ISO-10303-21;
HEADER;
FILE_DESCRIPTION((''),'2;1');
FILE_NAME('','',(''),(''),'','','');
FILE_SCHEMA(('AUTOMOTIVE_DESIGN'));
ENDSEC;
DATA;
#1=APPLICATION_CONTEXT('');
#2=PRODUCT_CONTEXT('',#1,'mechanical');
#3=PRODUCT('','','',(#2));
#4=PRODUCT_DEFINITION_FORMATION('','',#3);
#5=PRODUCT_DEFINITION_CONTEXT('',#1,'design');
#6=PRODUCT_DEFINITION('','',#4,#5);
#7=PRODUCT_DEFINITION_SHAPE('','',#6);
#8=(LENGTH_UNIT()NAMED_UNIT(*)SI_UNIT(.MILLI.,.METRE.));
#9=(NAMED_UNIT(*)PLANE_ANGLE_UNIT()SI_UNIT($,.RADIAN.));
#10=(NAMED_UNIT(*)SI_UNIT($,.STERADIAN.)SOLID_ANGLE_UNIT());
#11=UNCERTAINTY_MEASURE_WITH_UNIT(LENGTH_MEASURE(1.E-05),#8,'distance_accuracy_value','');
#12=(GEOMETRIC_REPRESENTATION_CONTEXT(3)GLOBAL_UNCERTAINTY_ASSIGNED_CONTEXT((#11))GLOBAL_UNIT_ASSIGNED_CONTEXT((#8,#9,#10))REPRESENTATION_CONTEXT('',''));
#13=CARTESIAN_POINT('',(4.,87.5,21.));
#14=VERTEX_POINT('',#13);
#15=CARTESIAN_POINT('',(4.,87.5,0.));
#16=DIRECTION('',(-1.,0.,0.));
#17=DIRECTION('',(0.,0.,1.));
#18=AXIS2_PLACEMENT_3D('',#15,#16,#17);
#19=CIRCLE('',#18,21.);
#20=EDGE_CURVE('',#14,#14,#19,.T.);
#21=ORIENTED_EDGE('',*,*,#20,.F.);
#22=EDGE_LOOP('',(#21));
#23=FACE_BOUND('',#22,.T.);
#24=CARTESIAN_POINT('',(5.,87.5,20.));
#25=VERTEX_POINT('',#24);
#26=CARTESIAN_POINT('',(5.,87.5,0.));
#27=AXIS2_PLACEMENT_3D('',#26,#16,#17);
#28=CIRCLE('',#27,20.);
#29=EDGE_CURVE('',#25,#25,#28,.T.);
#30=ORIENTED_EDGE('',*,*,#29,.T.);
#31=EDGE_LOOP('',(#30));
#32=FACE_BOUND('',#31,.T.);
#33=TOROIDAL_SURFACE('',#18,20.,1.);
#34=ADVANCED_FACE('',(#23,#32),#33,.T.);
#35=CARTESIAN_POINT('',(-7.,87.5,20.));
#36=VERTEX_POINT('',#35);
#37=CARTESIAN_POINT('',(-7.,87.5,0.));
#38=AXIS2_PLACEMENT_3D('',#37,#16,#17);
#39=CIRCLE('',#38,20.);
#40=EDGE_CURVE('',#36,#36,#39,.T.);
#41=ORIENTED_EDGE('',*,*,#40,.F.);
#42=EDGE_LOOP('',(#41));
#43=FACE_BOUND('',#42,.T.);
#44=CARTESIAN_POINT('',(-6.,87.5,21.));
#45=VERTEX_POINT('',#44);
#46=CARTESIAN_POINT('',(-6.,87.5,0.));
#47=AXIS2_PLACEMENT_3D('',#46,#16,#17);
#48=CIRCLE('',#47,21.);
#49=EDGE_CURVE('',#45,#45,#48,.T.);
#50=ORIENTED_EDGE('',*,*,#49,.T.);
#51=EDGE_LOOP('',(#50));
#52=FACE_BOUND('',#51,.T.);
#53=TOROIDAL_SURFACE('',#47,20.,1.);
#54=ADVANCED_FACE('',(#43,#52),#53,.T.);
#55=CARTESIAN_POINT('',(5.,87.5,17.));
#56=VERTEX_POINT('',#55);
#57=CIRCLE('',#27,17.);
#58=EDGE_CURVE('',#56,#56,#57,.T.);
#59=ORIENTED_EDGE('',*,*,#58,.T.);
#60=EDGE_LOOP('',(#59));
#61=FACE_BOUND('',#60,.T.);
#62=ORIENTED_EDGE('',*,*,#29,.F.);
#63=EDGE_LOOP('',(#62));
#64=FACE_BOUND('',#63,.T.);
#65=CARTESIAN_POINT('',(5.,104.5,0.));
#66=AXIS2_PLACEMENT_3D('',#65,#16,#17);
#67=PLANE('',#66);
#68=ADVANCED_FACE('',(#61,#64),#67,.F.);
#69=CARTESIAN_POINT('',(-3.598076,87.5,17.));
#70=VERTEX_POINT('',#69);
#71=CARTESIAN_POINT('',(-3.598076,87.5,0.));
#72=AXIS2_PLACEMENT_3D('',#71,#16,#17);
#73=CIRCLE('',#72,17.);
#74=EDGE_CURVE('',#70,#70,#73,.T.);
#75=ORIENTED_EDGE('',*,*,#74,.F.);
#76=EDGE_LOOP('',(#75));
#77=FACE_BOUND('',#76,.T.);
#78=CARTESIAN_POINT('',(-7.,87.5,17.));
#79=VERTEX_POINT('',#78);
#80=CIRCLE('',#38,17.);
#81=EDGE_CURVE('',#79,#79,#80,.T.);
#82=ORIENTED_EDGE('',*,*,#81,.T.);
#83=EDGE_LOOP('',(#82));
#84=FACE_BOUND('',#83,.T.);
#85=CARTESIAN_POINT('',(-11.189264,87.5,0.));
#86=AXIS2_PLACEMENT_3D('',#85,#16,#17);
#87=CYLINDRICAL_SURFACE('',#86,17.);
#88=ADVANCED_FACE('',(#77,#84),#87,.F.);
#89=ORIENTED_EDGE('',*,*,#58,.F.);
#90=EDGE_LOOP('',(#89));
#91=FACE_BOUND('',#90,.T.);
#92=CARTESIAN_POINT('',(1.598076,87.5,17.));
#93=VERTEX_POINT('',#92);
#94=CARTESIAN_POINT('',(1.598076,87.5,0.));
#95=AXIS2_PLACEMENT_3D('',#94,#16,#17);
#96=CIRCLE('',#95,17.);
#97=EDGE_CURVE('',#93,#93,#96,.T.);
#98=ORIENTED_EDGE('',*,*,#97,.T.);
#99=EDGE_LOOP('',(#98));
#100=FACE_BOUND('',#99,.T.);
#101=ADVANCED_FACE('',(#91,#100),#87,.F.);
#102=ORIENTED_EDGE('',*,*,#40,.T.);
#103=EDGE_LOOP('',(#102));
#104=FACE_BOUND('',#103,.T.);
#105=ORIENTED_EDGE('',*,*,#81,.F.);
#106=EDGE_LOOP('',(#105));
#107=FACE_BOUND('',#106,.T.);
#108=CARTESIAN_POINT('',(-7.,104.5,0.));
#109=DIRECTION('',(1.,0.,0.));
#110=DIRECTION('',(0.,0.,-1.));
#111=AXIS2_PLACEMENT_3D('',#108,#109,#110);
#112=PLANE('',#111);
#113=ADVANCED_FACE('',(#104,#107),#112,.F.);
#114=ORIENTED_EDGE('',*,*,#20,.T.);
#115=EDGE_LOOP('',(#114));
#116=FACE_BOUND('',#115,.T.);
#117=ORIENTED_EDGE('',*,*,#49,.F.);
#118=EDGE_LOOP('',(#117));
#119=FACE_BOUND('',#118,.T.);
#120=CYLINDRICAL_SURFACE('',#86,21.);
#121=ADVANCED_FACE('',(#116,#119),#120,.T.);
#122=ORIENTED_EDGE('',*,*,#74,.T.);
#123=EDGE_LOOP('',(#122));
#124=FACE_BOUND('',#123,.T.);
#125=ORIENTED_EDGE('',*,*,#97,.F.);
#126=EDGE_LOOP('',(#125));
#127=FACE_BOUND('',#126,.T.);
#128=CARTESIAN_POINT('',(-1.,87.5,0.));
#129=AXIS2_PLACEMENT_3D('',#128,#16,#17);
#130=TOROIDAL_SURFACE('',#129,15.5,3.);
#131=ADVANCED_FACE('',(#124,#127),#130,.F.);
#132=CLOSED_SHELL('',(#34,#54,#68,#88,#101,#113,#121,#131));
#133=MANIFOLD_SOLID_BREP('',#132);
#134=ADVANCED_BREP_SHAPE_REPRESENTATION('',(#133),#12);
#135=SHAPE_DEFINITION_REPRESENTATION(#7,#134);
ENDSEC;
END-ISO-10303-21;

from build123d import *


with BuildPart() as part:
    # Esquisse1 → Base-Révolution (revolve)
    with BuildSketch(Plane.XY, mode=Mode.PRIVATE) as base_r_volution_sk:
        with BuildLine():
            Line((-7, 104.5), (-3.598076211, 104.5))
            ThreePointArc((-3.598076211, 104.5), (-1, 106), (1.598076211, 104.5))
            Line((1.598076211, 104.5), (5, 104.5))
            Line((5, 104.5), (5, 107.5))
            ThreePointArc((5, 107.5), (4.707106781, 108.207106781), (4, 108.5))
            Line((4, 108.5), (-6, 108.5))
            ThreePointArc((-6, 108.5), (-6.707106781, 108.207106781), (-7, 107.5))
            Line((-7, 107.5), (-7, 104.5))
        make_face()
    revolve(base_r_volution_sk.sketch.rotate(Axis((-11.189264063, 87.5, 0), (1, 0, 0)), 90), axis=Axis((-11.189264063, 87.5, 0), (1, 0, 0)))


solid = part.part
